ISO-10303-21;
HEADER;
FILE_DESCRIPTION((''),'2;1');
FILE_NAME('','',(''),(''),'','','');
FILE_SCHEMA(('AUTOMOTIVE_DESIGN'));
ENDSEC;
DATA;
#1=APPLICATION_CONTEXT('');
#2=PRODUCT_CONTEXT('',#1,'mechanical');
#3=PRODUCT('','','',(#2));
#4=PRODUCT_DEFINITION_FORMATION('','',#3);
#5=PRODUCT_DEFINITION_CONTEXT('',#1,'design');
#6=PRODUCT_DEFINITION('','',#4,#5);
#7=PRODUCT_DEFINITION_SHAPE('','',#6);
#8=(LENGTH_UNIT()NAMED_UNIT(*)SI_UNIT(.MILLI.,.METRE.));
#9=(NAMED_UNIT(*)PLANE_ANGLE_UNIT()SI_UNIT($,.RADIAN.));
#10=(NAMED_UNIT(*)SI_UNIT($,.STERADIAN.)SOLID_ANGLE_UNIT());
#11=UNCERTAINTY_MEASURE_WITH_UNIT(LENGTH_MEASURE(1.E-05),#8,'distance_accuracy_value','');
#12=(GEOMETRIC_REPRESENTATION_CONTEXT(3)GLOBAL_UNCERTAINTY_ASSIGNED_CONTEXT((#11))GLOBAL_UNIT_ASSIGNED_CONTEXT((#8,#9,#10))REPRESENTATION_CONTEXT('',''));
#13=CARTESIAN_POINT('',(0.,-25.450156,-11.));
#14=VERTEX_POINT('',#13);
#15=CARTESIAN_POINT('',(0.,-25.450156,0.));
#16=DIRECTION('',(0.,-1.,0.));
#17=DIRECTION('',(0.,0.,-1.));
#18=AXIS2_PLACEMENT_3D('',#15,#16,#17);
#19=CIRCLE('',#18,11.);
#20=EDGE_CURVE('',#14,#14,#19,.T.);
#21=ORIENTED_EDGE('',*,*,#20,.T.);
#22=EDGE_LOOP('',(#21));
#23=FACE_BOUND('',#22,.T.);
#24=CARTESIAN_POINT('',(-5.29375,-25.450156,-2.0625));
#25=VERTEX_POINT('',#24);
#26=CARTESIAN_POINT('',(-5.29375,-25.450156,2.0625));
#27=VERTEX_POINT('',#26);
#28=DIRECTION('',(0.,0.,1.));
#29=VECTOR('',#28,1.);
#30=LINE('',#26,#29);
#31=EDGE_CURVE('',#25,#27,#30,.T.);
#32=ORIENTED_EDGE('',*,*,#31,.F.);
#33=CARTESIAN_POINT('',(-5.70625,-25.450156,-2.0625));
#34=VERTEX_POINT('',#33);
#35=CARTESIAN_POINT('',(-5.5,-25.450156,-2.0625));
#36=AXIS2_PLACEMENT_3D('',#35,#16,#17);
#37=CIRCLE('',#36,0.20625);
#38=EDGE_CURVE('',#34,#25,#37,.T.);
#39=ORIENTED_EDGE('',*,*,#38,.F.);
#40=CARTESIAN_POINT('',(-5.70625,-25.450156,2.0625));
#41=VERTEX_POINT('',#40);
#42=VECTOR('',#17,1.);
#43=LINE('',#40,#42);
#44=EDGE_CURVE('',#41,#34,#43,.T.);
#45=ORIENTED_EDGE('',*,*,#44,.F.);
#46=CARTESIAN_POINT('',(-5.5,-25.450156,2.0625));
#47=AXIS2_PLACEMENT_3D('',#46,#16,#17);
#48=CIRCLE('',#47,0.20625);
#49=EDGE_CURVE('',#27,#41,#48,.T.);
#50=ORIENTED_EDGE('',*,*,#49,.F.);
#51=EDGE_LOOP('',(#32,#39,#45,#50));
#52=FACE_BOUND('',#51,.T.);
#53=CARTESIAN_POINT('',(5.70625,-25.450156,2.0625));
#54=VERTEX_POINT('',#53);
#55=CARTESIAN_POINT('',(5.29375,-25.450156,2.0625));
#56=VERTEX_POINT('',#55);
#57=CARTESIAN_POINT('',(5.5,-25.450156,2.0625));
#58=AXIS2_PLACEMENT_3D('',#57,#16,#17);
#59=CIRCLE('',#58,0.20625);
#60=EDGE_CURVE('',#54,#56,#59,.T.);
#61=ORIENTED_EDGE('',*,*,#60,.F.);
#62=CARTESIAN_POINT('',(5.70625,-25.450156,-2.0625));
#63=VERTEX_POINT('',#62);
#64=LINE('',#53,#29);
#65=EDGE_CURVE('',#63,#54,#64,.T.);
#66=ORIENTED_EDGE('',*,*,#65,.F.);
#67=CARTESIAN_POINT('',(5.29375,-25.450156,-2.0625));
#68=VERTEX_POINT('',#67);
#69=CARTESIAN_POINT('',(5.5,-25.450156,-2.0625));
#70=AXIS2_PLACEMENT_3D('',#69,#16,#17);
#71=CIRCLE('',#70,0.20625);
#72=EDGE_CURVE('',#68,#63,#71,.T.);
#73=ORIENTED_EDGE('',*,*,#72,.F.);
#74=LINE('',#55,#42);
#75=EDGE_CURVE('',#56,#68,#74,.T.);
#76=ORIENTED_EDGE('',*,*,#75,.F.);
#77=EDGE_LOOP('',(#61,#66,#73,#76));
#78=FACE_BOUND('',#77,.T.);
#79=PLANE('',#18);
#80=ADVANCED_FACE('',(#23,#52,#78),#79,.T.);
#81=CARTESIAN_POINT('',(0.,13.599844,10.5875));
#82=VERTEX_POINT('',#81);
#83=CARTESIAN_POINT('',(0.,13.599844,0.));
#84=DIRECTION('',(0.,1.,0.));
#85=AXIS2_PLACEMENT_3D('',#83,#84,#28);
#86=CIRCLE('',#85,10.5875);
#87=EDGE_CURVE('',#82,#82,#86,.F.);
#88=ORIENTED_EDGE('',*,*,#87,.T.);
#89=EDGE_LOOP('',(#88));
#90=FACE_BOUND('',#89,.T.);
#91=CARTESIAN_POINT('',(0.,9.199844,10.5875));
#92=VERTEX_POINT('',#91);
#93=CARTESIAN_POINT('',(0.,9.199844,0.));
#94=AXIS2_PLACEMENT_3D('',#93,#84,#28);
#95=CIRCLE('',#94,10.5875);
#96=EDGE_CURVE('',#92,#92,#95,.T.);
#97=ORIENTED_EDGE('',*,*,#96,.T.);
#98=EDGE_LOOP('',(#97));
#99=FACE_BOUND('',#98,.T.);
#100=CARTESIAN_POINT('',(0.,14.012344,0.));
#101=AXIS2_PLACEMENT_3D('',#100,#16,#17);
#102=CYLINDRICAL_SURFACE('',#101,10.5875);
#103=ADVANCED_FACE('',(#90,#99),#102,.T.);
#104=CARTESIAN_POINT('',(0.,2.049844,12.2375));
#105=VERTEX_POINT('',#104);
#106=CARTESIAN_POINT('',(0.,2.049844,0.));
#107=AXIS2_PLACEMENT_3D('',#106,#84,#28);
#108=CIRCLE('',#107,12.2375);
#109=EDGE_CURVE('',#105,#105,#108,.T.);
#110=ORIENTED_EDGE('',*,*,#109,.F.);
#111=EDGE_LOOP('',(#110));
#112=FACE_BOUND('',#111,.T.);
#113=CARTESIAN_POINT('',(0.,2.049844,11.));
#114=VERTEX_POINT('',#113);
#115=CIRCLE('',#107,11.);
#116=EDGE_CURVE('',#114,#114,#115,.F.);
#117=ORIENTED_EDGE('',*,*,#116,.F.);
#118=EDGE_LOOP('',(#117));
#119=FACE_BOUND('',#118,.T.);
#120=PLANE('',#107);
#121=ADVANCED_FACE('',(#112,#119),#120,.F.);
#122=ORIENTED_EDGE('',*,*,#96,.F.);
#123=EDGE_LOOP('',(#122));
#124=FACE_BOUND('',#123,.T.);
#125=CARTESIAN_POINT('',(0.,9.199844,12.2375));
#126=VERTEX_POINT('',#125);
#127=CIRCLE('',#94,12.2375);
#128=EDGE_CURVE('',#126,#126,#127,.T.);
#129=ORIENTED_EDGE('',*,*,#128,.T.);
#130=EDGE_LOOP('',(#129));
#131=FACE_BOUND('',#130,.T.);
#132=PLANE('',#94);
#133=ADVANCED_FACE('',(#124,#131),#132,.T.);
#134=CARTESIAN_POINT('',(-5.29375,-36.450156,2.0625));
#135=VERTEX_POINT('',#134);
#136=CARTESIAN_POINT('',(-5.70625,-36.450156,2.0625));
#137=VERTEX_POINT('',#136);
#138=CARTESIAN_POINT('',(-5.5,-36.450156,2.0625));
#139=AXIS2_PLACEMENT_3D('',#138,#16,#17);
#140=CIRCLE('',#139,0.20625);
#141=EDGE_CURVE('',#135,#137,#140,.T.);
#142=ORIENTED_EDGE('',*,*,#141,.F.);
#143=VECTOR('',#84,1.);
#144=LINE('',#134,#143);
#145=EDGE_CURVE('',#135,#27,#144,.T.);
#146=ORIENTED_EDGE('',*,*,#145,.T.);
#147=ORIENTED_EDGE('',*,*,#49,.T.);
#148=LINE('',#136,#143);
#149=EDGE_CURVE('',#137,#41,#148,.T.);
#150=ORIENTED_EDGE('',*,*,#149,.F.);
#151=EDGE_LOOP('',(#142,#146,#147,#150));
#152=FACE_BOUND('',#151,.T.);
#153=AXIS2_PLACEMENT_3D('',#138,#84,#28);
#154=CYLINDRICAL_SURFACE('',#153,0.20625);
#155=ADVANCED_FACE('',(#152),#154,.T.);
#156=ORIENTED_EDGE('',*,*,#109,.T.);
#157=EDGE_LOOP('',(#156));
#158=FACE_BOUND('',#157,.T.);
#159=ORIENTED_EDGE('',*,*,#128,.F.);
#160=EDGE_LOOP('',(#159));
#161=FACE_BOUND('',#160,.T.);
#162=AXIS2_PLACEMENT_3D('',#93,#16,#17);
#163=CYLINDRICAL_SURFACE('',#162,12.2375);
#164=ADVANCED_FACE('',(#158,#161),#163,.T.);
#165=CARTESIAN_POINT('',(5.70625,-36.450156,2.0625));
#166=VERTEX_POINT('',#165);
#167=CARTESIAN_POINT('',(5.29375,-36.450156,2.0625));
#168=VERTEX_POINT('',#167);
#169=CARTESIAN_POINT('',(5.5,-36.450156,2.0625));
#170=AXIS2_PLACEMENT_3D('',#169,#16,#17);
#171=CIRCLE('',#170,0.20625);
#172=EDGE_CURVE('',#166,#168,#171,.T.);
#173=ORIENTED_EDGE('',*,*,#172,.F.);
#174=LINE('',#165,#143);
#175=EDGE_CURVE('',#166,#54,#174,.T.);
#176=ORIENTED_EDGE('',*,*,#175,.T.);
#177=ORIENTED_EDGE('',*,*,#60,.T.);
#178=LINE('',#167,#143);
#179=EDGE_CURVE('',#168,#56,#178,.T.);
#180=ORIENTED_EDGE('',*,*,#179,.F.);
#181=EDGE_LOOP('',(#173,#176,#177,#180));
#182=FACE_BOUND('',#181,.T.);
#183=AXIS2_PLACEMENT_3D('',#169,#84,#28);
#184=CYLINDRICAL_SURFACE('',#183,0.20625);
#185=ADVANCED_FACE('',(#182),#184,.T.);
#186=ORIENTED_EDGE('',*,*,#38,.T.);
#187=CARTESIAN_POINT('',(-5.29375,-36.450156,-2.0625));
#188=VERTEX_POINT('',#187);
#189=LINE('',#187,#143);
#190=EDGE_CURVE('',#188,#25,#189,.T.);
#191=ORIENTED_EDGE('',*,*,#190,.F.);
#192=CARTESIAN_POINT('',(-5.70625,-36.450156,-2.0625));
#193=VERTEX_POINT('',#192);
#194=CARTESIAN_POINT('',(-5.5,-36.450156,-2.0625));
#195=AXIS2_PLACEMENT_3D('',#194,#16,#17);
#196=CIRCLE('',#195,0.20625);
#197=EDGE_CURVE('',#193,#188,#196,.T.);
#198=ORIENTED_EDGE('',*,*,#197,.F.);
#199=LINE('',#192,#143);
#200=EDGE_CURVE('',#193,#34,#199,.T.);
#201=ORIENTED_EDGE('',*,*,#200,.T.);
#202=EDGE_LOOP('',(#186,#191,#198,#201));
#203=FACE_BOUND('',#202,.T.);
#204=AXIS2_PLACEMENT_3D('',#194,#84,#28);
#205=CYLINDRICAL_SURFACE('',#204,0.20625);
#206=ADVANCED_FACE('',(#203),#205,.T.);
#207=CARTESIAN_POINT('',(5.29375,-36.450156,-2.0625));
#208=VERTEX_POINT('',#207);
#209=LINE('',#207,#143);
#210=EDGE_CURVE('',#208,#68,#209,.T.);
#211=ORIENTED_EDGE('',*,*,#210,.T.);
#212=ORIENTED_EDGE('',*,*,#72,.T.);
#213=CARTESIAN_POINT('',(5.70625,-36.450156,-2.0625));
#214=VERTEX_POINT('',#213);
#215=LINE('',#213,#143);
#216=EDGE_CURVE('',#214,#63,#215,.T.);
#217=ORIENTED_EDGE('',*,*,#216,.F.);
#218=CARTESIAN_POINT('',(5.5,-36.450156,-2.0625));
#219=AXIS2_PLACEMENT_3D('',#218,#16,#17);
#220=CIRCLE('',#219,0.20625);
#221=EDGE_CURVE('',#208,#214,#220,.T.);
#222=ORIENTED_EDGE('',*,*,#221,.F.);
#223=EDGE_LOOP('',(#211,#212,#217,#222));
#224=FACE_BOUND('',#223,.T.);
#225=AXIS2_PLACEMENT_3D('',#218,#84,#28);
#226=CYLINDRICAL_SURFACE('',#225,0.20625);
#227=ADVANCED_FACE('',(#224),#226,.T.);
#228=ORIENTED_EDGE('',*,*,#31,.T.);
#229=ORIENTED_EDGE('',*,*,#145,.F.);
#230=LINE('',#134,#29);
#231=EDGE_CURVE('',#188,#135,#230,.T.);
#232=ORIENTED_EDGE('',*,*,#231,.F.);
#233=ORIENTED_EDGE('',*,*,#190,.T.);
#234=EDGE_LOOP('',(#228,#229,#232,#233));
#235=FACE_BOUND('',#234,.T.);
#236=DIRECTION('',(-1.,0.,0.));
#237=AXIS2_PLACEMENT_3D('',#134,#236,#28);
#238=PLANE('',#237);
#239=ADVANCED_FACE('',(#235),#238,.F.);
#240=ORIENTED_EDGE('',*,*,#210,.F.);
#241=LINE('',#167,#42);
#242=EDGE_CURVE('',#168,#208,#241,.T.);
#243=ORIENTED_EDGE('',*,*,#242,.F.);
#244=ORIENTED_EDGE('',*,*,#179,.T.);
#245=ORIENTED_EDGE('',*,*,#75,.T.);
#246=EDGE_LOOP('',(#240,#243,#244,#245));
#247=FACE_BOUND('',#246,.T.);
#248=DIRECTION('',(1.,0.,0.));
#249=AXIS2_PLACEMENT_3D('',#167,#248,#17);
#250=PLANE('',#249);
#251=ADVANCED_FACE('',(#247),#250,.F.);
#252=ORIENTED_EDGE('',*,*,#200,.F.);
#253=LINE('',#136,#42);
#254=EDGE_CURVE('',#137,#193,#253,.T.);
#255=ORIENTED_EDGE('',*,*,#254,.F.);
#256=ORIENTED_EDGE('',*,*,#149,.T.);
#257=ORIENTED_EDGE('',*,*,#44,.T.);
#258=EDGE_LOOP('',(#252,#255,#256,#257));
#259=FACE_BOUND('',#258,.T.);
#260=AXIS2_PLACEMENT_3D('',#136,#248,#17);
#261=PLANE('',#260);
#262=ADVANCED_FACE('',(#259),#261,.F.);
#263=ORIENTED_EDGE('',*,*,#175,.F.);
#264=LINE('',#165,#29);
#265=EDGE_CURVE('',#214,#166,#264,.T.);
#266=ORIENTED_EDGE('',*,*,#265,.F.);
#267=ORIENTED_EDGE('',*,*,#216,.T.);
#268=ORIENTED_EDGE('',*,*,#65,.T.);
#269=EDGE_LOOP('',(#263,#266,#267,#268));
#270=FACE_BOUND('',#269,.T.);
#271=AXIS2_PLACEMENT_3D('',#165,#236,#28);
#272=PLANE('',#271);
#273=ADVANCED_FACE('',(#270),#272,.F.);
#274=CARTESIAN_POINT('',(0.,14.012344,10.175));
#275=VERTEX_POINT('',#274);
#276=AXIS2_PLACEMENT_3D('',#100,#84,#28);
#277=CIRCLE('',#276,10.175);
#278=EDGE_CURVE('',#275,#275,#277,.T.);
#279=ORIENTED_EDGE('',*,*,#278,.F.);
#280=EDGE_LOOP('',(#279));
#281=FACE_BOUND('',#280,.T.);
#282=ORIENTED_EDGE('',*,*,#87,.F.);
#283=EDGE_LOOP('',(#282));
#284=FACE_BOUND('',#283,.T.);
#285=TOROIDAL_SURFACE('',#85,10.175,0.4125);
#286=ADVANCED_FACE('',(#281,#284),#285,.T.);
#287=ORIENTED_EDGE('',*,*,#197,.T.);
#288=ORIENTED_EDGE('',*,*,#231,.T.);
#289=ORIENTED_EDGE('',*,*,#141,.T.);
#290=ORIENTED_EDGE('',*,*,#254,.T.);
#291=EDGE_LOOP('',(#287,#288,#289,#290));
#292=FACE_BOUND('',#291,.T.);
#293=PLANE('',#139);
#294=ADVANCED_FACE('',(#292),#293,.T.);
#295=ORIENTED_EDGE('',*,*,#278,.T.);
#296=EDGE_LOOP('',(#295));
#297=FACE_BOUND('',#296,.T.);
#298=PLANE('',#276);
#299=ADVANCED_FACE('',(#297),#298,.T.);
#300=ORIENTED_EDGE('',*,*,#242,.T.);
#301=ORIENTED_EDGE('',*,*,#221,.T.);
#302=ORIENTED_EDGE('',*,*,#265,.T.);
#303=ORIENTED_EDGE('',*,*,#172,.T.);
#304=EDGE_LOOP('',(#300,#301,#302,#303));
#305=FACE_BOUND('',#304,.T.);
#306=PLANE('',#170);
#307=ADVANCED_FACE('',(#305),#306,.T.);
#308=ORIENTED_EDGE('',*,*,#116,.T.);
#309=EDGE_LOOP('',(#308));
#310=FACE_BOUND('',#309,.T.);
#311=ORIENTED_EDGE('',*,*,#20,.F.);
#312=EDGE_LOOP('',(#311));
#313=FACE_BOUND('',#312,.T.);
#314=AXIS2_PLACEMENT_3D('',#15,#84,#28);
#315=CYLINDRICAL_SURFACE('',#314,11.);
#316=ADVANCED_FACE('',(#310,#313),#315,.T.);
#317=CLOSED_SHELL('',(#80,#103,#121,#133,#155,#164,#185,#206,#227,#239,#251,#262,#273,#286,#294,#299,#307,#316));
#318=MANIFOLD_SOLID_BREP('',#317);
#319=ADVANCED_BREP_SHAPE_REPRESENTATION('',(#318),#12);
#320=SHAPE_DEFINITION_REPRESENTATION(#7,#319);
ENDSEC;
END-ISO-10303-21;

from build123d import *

# Parameters (mm, degrees)
SKETCH1_R           = 8.9
BOSS_EXTRUDE1_DEPTH = 5.2
SKETCH2_R           = 8
BOSS_EXTRUDE2_DEPTH = 20
BOSS_EXTRUDE3_DEPTH = 8
SKETCH4_R           = 7.7
BOSS_EXTRUDE4_DEPTH = 3.5
FILLET1_R           = 0.3
SCALE1_SCALE        = 1.375


with BuildPart() as part:
    # Sketch1 → Boss-Extrude1 (new body)
    with BuildSketch(Plane(origin=(0, 0, 0), x_dir=(1, 0, 0), z_dir=(0, 1, 0))):
        Circle(SKETCH1_R)
    extrude(amount=BOSS_EXTRUDE1_DEPTH)

    # Sketch2 → Boss-Extrude2 (add)
    with BuildSketch(Plane.XZ):
        Circle(SKETCH2_R)
    extrude(amount=BOSS_EXTRUDE2_DEPTH)

    # Sketch3 → Boss-Extrude3 (add)
    with BuildSketch(Plane.XZ.offset(20)):
        with BuildLine():
            Line((4.15, 1.5), (4.15, -1.5))
            ThreePointArc((4.15, -1.5), (4, -1.65), (3.85, -1.5))
            Line((3.85, -1.5), (3.85, 1.5))
            ThreePointArc((3.85, 1.5), (4, 1.65), (4.15, 1.5))
        make_face()
        with BuildLine():
            Line((-3.85, 1.5), (-3.85, -1.5))
            ThreePointArc((-3.85, -1.5), (-4, -1.65), (-4.15, -1.5))
            Line((-4.15, -1.5), (-4.15, 1.5))
            ThreePointArc((-4.15, 1.5), (-4, 1.65), (-3.85, 1.5))
        make_face()
    extrude(amount=BOSS_EXTRUDE3_DEPTH)

    # Sketch4 → Boss-Extrude4 (add)
    with BuildSketch(Plane(origin=(0, 5.2, 0), x_dir=(1, 0, 0), z_dir=(0, 1, 0))):
        Circle(SKETCH4_R)
    extrude(amount=BOSS_EXTRUDE4_DEPTH)

    # Fillet1
    fillet1_edges = [part.edges().sort_by_distance(p)[0] for p in [
        (-7.7, 8.7, 0),
    ]]
    fillet(fillet1_edges, radius=FILLET1_R)


with BuildPart() as part_1:
    # Scale1: scaled about (0, -5.466249854, 0)
    add(part.part.scale(SCALE1_SCALE).moved(Location((0, 2.049843695, 0))))


solid = part_1.part
